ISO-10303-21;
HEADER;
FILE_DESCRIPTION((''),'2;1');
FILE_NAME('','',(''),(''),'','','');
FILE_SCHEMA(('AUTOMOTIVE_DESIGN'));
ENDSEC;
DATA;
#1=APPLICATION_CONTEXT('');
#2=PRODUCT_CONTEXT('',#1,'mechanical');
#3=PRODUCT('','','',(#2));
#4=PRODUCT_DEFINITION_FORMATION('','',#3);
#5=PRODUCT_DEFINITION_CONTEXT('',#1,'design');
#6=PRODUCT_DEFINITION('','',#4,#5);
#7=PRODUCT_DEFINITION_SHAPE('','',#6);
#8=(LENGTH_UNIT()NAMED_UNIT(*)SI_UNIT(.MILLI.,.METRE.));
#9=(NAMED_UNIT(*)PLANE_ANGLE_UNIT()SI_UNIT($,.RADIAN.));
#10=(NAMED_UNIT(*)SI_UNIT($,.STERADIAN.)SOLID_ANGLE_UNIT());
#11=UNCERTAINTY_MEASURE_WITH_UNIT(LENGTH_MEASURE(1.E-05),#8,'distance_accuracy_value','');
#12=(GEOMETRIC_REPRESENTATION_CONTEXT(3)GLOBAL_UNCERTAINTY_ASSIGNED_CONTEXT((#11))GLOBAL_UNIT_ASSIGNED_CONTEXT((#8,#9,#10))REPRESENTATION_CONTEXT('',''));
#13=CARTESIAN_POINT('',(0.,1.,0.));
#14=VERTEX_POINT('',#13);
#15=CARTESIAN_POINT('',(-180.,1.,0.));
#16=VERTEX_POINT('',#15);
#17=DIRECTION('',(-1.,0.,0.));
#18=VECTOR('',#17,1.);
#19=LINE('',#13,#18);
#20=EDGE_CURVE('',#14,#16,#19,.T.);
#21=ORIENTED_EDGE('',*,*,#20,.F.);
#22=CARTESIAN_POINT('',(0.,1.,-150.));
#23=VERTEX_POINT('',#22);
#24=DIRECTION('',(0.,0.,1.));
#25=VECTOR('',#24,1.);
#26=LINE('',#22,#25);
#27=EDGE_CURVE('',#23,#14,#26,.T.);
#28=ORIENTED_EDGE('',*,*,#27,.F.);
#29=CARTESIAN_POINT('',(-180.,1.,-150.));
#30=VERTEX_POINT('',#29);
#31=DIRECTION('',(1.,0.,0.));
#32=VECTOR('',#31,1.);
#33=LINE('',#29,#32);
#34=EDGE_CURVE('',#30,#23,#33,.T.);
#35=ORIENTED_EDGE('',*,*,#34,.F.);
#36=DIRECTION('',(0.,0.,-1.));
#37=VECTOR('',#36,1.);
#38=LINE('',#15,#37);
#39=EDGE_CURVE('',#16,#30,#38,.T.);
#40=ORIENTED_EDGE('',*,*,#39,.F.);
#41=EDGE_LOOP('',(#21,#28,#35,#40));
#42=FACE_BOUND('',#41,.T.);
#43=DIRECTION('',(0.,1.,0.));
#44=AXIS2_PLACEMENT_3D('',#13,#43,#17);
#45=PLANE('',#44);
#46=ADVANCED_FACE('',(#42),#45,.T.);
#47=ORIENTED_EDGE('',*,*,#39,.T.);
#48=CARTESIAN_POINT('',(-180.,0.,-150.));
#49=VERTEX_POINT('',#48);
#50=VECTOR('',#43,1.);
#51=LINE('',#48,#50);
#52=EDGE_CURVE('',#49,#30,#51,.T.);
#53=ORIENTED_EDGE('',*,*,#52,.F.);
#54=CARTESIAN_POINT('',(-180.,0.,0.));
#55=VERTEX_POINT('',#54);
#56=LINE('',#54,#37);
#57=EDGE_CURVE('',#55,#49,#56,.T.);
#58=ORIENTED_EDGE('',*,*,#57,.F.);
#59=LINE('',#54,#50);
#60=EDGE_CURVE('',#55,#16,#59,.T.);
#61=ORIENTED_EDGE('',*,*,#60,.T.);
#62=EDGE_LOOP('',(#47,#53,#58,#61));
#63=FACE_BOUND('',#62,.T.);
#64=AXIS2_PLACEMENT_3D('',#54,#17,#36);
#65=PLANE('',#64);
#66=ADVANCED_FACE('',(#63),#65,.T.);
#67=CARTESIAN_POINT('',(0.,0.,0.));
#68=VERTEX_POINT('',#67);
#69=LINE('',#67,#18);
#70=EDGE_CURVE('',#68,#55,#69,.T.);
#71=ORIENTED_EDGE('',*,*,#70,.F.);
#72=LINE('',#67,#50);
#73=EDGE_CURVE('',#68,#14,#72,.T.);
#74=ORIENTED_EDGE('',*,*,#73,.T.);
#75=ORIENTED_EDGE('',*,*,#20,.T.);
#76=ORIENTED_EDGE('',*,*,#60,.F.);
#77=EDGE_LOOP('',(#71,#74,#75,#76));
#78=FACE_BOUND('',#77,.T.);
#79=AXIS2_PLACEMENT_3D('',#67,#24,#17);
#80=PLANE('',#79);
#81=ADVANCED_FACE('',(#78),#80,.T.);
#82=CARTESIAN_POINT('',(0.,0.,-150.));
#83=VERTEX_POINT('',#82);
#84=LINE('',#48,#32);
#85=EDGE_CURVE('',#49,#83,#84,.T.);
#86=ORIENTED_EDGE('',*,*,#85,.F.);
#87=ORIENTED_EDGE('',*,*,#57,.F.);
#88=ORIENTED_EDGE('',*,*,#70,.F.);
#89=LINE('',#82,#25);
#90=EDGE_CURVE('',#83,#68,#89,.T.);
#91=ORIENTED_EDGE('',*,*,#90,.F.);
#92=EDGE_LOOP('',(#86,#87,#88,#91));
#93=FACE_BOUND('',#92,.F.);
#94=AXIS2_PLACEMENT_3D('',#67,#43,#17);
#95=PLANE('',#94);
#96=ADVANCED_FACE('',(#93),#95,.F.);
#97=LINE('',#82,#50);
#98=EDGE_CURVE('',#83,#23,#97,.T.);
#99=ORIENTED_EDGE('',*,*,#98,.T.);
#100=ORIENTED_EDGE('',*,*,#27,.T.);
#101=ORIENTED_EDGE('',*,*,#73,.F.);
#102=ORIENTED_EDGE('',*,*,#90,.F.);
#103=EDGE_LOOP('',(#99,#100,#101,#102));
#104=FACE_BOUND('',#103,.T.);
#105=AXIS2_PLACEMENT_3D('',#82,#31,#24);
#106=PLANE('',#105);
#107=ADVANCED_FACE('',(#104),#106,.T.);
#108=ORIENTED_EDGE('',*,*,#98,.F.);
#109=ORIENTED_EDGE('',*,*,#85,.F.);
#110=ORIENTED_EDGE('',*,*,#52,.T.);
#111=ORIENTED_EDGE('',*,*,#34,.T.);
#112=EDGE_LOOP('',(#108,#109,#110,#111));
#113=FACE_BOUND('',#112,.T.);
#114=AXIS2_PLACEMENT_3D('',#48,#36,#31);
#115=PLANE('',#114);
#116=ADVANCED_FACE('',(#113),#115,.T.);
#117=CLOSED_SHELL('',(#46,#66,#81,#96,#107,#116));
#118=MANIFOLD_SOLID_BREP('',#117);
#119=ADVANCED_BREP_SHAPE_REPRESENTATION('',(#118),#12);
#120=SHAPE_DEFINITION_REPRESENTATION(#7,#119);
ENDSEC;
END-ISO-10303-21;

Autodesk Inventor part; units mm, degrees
ref_plane "YZ Plane" through (0, 0, 0) normal (1, 0, 0) x (0, 1, 0)
ref_plane "XZ Plane" through (0, 0, 0) normal (0, 1, 0) x (-1, 0, 0)
ref_plane "XY Plane" through (0, 0, 0) normal (0, 0, 1) x (1, 0, 0)
sketch "Sketch1" plane through (0, 0, 0) normal (0, 1, 0) x (-1, 0, 0)
  line L0 (0, 0) -> (180, 0)
  line L1 (180, 0) -> (180, -150)
  line L2 (180, -150) -> (0, -150)
  line L3 (0, -150) -> (0, 0)
  dimension "d0" = 180
  dimension "d1" = 150
extrude "Extrusion1" add sketch "Sketch1" along normal blind 1
properties part number "Mirror"
